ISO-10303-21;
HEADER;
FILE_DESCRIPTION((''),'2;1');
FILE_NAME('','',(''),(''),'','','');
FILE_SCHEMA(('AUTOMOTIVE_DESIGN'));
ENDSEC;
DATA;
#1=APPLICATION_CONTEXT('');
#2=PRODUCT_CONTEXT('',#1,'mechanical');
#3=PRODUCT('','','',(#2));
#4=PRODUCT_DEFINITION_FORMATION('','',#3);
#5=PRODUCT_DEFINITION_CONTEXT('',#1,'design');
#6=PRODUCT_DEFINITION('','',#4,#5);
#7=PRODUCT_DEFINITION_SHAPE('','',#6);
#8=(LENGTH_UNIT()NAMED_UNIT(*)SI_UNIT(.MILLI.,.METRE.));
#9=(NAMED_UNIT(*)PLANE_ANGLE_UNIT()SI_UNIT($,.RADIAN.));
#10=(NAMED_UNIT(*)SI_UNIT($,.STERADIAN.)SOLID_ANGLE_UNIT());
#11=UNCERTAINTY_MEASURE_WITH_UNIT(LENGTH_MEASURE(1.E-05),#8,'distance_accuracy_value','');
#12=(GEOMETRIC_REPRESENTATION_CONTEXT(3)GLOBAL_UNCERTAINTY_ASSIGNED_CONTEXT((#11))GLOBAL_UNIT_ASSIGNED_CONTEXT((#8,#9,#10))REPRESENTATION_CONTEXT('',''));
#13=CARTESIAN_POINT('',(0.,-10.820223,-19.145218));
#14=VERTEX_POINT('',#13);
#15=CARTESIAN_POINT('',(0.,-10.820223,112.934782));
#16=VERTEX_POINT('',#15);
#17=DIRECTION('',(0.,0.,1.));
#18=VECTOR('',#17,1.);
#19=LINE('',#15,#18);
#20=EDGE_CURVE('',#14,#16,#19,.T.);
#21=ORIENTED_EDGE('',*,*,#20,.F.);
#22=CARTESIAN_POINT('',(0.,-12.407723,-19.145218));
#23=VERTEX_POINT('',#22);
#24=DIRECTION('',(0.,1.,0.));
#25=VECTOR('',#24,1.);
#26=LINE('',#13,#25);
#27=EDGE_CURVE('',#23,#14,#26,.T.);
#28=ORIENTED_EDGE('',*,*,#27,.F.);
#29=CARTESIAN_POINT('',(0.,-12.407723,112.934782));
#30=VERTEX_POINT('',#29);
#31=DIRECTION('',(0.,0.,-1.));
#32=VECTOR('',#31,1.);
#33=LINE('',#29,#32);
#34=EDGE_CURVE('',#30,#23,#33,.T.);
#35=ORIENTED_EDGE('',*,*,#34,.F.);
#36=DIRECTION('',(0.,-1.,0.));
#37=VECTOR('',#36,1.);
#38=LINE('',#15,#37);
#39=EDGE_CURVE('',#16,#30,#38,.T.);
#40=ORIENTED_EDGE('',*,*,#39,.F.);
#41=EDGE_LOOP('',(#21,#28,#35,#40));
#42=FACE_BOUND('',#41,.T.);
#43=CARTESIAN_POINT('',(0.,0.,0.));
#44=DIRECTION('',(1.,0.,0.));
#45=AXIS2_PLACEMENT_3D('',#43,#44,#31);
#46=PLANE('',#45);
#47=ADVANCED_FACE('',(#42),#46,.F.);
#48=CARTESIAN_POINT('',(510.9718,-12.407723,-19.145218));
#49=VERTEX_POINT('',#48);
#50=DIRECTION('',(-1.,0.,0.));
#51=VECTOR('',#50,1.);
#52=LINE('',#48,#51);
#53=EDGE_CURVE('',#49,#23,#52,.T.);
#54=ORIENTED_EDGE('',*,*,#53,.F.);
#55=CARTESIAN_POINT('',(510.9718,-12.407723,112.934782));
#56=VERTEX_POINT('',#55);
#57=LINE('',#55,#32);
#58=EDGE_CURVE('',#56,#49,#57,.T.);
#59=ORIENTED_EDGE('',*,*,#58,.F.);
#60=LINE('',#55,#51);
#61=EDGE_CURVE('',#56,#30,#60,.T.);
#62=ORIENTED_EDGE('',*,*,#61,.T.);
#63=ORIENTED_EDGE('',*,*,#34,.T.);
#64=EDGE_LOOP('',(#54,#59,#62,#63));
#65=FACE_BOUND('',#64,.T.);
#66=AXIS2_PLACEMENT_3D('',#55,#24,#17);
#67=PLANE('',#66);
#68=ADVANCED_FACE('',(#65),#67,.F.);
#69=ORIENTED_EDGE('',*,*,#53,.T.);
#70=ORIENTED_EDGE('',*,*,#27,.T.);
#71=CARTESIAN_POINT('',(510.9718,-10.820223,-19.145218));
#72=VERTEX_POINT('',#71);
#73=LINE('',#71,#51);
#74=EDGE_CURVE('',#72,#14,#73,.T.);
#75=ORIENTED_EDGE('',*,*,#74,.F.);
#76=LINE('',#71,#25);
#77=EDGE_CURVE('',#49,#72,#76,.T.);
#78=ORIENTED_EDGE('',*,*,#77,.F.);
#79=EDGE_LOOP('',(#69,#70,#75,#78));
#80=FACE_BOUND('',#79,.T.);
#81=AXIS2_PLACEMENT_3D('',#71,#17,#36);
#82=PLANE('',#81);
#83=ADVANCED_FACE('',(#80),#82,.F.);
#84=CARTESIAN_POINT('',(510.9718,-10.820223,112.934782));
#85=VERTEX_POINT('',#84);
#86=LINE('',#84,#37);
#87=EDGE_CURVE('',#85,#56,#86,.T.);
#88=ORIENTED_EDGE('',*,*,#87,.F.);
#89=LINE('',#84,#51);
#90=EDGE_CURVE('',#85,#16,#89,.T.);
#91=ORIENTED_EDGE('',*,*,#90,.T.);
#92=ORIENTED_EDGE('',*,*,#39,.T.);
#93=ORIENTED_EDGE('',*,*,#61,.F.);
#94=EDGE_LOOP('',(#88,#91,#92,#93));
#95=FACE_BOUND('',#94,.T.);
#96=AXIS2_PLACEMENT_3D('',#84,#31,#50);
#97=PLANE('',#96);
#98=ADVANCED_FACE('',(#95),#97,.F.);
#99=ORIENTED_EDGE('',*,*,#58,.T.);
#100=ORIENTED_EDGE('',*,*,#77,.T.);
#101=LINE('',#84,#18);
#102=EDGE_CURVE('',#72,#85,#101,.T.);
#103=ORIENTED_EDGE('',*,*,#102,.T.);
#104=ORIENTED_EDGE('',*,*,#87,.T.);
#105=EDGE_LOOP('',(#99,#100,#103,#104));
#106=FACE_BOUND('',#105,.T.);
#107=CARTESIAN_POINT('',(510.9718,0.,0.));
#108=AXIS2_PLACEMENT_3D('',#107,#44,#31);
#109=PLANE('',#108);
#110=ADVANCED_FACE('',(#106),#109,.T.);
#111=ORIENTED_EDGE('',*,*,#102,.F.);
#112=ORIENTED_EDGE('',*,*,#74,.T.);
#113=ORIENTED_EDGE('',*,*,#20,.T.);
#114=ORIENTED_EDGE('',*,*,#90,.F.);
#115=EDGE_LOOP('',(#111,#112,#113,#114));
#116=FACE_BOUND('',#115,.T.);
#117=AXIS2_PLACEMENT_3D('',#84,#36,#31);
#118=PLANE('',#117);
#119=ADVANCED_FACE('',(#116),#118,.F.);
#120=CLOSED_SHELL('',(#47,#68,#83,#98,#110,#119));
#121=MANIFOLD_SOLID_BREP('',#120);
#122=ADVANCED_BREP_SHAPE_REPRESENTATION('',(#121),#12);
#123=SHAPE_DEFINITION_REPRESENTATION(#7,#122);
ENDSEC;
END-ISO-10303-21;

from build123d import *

# Parameters (mm, degrees)
SKETCH2_W           = 132.08
SKETCH2_H           = 1.5875
BOSS_EXTRUDE2_DEPTH = 510.9718


with BuildPart() as part:
    # Sketch2 → Boss-Extrude2 (new body)
    with BuildSketch(Plane(origin=(0, 0, 0), x_dir=(0, 0, -1), z_dir=(1, 0, 0))):
        with Locations((-46.894782158, -11.613972653)):
            Rectangle(SKETCH2_W, SKETCH2_H)
    extrude(amount=BOSS_EXTRUDE2_DEPTH)


solid = part.part
